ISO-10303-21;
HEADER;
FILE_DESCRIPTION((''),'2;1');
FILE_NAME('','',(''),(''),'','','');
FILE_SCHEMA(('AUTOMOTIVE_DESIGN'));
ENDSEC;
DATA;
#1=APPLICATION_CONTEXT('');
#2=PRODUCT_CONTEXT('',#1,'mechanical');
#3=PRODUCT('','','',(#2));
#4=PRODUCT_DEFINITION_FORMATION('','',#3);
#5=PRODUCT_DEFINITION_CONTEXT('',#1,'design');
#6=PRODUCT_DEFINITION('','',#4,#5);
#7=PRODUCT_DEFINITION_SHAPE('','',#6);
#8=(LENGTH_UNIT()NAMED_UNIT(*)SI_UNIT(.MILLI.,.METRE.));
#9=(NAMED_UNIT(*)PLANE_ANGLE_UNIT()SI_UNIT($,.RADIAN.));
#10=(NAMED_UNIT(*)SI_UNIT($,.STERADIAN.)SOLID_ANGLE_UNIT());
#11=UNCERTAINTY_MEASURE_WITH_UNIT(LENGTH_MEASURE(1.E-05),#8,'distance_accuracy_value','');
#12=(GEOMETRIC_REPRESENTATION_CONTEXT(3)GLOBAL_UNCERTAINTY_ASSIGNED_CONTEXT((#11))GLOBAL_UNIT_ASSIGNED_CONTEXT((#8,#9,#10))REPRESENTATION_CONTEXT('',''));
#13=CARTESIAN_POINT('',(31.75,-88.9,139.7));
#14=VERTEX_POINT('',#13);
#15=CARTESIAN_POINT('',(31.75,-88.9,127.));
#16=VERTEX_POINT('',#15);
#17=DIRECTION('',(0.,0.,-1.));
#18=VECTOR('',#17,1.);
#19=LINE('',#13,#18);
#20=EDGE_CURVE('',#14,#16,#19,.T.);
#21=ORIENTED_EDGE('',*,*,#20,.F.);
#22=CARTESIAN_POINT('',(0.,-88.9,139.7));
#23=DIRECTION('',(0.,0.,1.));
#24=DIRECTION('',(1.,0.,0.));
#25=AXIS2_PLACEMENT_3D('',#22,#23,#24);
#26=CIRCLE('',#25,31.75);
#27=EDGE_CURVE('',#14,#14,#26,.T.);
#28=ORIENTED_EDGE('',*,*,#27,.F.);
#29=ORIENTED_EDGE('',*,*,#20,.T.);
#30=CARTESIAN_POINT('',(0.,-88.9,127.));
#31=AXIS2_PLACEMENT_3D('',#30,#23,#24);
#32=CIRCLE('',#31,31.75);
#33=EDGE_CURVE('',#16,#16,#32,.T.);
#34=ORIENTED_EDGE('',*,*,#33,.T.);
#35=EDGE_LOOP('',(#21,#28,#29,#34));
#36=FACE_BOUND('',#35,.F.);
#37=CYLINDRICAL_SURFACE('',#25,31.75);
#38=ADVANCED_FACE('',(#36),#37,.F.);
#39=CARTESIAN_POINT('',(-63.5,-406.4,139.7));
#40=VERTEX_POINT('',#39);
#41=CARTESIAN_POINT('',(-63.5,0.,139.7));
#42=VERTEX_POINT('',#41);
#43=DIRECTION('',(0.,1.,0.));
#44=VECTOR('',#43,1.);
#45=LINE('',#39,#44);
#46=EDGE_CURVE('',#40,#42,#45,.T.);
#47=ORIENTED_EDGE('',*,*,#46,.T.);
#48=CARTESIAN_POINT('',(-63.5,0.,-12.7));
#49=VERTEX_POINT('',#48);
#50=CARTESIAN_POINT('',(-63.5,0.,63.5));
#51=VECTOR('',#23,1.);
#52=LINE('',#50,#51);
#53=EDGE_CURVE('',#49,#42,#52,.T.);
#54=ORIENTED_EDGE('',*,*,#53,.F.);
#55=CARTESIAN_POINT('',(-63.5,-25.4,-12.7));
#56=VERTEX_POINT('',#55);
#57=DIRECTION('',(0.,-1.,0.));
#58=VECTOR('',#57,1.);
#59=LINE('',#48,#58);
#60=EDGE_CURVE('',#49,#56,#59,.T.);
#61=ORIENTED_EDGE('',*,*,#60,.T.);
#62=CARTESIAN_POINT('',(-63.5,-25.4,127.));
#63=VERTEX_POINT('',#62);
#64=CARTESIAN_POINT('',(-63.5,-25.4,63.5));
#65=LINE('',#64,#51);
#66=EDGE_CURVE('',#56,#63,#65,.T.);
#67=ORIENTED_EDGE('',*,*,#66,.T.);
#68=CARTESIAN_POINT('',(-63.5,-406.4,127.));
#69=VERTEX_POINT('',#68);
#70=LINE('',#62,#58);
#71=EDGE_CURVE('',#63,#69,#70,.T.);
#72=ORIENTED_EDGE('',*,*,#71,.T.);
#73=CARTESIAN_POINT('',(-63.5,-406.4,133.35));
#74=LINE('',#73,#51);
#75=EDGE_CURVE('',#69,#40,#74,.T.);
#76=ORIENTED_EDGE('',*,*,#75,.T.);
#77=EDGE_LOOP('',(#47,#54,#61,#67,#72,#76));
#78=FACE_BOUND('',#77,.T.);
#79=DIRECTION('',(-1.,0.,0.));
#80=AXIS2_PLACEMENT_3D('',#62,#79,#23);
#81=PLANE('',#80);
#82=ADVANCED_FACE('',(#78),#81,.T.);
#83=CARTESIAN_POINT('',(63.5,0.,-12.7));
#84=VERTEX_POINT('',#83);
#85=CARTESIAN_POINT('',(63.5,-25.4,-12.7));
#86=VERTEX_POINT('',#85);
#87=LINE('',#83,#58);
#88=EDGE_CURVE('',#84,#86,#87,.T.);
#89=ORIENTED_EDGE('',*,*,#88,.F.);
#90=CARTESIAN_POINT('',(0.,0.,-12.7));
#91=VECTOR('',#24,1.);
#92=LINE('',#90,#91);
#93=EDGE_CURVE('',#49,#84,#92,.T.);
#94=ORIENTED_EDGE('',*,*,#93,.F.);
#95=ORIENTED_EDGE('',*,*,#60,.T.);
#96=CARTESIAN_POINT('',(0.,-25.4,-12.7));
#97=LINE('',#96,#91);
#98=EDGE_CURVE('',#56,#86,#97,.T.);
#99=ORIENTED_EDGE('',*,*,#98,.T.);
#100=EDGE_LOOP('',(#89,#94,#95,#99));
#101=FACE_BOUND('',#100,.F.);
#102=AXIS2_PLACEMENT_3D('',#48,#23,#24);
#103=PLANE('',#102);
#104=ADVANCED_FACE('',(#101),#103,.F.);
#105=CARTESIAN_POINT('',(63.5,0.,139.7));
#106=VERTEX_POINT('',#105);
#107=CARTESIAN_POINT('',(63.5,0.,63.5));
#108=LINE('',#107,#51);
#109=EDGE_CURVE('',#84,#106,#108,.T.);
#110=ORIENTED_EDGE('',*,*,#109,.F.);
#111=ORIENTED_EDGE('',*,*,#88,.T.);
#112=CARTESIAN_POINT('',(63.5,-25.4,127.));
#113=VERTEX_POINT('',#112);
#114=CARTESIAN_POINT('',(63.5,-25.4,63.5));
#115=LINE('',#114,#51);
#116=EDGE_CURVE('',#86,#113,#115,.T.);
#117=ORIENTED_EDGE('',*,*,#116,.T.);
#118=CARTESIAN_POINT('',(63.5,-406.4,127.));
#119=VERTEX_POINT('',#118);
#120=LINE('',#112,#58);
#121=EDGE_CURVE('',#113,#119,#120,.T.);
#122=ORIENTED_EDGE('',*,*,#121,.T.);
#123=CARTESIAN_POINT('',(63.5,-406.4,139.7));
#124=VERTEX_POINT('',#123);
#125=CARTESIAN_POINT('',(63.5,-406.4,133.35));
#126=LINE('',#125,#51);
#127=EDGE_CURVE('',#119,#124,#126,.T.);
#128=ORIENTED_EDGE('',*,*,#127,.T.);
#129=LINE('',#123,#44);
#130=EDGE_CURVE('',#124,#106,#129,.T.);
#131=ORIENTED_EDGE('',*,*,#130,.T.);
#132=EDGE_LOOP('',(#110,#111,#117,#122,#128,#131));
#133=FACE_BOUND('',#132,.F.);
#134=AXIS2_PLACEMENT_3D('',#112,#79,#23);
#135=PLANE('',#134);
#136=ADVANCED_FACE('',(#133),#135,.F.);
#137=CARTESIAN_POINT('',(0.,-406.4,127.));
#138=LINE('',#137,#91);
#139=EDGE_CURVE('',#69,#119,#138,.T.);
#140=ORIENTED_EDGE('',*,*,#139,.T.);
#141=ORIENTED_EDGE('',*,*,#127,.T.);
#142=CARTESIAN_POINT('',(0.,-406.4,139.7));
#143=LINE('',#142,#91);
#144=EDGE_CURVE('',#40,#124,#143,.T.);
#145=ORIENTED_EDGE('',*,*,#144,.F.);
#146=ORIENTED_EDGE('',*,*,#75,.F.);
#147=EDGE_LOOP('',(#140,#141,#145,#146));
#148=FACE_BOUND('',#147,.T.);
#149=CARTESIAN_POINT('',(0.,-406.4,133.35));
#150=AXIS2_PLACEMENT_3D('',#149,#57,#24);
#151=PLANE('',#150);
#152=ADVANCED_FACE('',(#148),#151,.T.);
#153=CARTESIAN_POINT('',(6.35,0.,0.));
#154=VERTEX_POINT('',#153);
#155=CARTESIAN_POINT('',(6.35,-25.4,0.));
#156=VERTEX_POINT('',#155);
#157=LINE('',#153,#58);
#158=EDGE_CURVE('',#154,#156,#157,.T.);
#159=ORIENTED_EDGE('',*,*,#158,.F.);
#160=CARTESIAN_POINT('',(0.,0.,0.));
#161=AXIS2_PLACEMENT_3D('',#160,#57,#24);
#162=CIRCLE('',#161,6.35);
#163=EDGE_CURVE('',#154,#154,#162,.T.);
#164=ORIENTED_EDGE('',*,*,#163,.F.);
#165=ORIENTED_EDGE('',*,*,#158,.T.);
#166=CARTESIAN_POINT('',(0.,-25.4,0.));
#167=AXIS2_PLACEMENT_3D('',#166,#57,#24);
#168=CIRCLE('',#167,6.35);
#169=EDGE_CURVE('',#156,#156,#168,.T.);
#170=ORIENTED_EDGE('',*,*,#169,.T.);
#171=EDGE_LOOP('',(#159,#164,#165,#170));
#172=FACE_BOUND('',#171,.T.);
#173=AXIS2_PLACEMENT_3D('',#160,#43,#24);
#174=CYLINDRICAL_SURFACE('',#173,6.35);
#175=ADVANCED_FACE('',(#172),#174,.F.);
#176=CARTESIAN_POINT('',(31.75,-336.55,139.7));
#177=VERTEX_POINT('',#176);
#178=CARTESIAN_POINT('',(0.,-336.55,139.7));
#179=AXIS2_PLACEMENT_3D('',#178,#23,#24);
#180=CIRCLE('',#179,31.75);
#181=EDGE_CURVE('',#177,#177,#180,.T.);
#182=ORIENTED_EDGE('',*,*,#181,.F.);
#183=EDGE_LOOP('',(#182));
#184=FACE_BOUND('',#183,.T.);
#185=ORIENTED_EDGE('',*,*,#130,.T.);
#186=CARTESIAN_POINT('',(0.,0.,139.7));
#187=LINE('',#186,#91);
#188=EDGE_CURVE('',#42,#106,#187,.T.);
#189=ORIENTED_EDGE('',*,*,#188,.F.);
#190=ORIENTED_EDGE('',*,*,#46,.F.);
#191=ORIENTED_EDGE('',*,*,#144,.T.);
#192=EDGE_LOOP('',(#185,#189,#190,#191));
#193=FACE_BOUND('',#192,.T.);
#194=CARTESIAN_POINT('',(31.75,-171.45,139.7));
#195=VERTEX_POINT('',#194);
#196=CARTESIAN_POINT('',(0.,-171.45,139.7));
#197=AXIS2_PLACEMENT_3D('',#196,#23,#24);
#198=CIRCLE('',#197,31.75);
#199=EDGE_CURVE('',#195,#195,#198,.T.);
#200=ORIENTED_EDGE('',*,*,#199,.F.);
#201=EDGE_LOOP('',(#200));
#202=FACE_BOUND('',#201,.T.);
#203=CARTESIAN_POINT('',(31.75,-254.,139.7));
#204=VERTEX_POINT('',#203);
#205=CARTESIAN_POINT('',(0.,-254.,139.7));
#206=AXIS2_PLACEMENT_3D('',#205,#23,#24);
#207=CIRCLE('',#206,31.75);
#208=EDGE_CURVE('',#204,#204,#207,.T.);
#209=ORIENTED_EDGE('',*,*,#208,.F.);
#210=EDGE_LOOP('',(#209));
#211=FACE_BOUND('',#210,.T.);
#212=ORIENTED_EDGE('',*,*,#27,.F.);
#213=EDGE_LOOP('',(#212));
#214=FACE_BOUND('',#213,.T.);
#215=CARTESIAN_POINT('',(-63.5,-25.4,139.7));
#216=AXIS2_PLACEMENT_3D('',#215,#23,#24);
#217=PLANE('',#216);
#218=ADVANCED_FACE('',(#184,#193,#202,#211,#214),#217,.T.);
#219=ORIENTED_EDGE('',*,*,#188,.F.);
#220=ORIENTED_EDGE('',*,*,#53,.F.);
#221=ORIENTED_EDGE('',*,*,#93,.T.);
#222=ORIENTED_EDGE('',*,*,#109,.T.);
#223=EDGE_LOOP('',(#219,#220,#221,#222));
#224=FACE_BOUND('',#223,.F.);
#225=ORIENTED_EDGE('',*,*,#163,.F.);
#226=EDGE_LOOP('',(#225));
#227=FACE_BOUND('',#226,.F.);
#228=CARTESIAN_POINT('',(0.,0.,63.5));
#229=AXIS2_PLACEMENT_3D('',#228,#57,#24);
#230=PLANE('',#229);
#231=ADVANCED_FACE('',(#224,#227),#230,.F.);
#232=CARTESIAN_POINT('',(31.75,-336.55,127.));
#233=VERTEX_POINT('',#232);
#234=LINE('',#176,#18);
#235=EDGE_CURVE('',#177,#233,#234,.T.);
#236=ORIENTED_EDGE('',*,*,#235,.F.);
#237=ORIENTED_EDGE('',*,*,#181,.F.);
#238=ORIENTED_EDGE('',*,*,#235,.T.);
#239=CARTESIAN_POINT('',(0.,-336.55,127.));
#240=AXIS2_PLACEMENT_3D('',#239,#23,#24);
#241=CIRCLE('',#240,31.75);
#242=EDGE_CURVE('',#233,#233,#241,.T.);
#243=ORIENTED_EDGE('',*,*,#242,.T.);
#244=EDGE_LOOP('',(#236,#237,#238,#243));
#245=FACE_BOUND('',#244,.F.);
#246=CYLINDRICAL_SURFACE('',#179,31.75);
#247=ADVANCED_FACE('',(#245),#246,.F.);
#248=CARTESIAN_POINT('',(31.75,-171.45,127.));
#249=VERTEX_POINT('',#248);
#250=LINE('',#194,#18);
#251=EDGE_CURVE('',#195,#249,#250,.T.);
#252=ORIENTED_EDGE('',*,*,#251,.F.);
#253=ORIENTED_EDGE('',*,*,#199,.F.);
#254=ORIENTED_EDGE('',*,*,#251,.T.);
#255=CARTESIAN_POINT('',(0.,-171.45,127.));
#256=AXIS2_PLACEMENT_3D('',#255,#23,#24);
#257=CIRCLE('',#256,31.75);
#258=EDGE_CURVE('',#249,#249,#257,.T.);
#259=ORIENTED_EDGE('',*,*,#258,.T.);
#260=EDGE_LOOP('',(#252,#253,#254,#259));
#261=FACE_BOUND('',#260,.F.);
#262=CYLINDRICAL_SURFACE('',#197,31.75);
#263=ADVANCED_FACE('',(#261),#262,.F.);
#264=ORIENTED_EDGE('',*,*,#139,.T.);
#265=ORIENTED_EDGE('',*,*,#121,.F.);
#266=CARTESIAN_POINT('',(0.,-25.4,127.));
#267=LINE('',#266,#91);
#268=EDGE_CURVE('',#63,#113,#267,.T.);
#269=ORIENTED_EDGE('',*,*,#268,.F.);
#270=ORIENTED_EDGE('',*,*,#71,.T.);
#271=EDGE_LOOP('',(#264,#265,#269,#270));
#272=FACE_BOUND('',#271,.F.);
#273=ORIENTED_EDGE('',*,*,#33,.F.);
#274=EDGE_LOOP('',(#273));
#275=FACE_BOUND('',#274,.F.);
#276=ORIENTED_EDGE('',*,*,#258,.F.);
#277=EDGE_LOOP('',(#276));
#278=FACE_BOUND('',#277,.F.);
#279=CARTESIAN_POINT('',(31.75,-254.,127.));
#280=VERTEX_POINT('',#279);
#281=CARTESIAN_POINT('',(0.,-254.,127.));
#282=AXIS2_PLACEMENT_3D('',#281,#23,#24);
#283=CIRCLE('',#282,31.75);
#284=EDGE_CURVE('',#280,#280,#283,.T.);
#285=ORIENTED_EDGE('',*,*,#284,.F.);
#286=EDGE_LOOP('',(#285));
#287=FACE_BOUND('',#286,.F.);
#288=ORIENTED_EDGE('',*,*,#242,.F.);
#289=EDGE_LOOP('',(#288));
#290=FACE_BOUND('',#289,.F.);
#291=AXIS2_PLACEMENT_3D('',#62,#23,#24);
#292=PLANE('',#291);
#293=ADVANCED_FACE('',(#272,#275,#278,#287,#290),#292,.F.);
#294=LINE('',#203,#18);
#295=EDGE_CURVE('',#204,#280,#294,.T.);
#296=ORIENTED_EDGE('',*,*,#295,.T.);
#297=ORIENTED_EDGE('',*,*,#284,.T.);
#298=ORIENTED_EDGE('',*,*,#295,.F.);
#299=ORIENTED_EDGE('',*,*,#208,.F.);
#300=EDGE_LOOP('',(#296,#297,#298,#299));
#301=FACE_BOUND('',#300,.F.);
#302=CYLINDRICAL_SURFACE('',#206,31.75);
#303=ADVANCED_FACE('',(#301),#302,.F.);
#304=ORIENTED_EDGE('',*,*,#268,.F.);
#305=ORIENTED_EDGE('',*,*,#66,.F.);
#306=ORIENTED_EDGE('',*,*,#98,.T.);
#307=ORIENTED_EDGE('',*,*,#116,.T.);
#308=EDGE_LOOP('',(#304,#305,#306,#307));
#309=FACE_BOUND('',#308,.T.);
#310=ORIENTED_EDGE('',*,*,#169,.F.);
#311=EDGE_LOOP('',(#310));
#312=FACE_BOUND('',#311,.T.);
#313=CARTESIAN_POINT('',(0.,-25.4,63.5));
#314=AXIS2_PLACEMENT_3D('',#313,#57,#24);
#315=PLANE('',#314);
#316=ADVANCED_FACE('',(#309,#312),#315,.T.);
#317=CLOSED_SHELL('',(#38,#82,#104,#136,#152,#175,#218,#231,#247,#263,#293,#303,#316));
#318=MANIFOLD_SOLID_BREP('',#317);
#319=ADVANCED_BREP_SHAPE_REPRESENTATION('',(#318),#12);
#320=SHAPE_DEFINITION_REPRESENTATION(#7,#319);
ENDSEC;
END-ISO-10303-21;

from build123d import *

# Parameters (mm, degrees)
F0_W     = 127
F0_H     = 152.4
F0_R     = 6.35
F1_DEPTH = 25.4
F2_W     = 127
F2_H     = 12.7
F3_DEPTH = 381
F4_R     = 31.75
F5_DEPTH = 25.4


with BuildPart() as f1:
    # F0 (on Front) → F1 (new body)
    with BuildSketch(Plane.XZ):
        with Locations((0, 63.5)):
            Rectangle(F0_W, F0_H)
        Circle(F0_R, mode=Mode.SUBTRACT)
    extrude(amount=F1_DEPTH)

    # F2 (on face) → F3 (join)
    with BuildSketch(Plane.XZ.offset(25.4)):
        with Locations((0, 133.35)):
            Rectangle(F2_W, F2_H)
    extrude(amount=F3_DEPTH)

    # F4 (on face) → F5 (cut)
    with BuildSketch(Plane.XY.offset(139.7)):
        with Locations((0, -88.9)):
            Circle(F4_R)
        with Locations((0, -171.45)):
            Circle(F4_R)
        with Locations((0, -254)):
            Circle(F4_R)
        with Locations((0, -336.55)):
            Circle(F4_R)
    extrude(amount=-F5_DEPTH, mode=Mode.SUBTRACT)


solid = f1.part
